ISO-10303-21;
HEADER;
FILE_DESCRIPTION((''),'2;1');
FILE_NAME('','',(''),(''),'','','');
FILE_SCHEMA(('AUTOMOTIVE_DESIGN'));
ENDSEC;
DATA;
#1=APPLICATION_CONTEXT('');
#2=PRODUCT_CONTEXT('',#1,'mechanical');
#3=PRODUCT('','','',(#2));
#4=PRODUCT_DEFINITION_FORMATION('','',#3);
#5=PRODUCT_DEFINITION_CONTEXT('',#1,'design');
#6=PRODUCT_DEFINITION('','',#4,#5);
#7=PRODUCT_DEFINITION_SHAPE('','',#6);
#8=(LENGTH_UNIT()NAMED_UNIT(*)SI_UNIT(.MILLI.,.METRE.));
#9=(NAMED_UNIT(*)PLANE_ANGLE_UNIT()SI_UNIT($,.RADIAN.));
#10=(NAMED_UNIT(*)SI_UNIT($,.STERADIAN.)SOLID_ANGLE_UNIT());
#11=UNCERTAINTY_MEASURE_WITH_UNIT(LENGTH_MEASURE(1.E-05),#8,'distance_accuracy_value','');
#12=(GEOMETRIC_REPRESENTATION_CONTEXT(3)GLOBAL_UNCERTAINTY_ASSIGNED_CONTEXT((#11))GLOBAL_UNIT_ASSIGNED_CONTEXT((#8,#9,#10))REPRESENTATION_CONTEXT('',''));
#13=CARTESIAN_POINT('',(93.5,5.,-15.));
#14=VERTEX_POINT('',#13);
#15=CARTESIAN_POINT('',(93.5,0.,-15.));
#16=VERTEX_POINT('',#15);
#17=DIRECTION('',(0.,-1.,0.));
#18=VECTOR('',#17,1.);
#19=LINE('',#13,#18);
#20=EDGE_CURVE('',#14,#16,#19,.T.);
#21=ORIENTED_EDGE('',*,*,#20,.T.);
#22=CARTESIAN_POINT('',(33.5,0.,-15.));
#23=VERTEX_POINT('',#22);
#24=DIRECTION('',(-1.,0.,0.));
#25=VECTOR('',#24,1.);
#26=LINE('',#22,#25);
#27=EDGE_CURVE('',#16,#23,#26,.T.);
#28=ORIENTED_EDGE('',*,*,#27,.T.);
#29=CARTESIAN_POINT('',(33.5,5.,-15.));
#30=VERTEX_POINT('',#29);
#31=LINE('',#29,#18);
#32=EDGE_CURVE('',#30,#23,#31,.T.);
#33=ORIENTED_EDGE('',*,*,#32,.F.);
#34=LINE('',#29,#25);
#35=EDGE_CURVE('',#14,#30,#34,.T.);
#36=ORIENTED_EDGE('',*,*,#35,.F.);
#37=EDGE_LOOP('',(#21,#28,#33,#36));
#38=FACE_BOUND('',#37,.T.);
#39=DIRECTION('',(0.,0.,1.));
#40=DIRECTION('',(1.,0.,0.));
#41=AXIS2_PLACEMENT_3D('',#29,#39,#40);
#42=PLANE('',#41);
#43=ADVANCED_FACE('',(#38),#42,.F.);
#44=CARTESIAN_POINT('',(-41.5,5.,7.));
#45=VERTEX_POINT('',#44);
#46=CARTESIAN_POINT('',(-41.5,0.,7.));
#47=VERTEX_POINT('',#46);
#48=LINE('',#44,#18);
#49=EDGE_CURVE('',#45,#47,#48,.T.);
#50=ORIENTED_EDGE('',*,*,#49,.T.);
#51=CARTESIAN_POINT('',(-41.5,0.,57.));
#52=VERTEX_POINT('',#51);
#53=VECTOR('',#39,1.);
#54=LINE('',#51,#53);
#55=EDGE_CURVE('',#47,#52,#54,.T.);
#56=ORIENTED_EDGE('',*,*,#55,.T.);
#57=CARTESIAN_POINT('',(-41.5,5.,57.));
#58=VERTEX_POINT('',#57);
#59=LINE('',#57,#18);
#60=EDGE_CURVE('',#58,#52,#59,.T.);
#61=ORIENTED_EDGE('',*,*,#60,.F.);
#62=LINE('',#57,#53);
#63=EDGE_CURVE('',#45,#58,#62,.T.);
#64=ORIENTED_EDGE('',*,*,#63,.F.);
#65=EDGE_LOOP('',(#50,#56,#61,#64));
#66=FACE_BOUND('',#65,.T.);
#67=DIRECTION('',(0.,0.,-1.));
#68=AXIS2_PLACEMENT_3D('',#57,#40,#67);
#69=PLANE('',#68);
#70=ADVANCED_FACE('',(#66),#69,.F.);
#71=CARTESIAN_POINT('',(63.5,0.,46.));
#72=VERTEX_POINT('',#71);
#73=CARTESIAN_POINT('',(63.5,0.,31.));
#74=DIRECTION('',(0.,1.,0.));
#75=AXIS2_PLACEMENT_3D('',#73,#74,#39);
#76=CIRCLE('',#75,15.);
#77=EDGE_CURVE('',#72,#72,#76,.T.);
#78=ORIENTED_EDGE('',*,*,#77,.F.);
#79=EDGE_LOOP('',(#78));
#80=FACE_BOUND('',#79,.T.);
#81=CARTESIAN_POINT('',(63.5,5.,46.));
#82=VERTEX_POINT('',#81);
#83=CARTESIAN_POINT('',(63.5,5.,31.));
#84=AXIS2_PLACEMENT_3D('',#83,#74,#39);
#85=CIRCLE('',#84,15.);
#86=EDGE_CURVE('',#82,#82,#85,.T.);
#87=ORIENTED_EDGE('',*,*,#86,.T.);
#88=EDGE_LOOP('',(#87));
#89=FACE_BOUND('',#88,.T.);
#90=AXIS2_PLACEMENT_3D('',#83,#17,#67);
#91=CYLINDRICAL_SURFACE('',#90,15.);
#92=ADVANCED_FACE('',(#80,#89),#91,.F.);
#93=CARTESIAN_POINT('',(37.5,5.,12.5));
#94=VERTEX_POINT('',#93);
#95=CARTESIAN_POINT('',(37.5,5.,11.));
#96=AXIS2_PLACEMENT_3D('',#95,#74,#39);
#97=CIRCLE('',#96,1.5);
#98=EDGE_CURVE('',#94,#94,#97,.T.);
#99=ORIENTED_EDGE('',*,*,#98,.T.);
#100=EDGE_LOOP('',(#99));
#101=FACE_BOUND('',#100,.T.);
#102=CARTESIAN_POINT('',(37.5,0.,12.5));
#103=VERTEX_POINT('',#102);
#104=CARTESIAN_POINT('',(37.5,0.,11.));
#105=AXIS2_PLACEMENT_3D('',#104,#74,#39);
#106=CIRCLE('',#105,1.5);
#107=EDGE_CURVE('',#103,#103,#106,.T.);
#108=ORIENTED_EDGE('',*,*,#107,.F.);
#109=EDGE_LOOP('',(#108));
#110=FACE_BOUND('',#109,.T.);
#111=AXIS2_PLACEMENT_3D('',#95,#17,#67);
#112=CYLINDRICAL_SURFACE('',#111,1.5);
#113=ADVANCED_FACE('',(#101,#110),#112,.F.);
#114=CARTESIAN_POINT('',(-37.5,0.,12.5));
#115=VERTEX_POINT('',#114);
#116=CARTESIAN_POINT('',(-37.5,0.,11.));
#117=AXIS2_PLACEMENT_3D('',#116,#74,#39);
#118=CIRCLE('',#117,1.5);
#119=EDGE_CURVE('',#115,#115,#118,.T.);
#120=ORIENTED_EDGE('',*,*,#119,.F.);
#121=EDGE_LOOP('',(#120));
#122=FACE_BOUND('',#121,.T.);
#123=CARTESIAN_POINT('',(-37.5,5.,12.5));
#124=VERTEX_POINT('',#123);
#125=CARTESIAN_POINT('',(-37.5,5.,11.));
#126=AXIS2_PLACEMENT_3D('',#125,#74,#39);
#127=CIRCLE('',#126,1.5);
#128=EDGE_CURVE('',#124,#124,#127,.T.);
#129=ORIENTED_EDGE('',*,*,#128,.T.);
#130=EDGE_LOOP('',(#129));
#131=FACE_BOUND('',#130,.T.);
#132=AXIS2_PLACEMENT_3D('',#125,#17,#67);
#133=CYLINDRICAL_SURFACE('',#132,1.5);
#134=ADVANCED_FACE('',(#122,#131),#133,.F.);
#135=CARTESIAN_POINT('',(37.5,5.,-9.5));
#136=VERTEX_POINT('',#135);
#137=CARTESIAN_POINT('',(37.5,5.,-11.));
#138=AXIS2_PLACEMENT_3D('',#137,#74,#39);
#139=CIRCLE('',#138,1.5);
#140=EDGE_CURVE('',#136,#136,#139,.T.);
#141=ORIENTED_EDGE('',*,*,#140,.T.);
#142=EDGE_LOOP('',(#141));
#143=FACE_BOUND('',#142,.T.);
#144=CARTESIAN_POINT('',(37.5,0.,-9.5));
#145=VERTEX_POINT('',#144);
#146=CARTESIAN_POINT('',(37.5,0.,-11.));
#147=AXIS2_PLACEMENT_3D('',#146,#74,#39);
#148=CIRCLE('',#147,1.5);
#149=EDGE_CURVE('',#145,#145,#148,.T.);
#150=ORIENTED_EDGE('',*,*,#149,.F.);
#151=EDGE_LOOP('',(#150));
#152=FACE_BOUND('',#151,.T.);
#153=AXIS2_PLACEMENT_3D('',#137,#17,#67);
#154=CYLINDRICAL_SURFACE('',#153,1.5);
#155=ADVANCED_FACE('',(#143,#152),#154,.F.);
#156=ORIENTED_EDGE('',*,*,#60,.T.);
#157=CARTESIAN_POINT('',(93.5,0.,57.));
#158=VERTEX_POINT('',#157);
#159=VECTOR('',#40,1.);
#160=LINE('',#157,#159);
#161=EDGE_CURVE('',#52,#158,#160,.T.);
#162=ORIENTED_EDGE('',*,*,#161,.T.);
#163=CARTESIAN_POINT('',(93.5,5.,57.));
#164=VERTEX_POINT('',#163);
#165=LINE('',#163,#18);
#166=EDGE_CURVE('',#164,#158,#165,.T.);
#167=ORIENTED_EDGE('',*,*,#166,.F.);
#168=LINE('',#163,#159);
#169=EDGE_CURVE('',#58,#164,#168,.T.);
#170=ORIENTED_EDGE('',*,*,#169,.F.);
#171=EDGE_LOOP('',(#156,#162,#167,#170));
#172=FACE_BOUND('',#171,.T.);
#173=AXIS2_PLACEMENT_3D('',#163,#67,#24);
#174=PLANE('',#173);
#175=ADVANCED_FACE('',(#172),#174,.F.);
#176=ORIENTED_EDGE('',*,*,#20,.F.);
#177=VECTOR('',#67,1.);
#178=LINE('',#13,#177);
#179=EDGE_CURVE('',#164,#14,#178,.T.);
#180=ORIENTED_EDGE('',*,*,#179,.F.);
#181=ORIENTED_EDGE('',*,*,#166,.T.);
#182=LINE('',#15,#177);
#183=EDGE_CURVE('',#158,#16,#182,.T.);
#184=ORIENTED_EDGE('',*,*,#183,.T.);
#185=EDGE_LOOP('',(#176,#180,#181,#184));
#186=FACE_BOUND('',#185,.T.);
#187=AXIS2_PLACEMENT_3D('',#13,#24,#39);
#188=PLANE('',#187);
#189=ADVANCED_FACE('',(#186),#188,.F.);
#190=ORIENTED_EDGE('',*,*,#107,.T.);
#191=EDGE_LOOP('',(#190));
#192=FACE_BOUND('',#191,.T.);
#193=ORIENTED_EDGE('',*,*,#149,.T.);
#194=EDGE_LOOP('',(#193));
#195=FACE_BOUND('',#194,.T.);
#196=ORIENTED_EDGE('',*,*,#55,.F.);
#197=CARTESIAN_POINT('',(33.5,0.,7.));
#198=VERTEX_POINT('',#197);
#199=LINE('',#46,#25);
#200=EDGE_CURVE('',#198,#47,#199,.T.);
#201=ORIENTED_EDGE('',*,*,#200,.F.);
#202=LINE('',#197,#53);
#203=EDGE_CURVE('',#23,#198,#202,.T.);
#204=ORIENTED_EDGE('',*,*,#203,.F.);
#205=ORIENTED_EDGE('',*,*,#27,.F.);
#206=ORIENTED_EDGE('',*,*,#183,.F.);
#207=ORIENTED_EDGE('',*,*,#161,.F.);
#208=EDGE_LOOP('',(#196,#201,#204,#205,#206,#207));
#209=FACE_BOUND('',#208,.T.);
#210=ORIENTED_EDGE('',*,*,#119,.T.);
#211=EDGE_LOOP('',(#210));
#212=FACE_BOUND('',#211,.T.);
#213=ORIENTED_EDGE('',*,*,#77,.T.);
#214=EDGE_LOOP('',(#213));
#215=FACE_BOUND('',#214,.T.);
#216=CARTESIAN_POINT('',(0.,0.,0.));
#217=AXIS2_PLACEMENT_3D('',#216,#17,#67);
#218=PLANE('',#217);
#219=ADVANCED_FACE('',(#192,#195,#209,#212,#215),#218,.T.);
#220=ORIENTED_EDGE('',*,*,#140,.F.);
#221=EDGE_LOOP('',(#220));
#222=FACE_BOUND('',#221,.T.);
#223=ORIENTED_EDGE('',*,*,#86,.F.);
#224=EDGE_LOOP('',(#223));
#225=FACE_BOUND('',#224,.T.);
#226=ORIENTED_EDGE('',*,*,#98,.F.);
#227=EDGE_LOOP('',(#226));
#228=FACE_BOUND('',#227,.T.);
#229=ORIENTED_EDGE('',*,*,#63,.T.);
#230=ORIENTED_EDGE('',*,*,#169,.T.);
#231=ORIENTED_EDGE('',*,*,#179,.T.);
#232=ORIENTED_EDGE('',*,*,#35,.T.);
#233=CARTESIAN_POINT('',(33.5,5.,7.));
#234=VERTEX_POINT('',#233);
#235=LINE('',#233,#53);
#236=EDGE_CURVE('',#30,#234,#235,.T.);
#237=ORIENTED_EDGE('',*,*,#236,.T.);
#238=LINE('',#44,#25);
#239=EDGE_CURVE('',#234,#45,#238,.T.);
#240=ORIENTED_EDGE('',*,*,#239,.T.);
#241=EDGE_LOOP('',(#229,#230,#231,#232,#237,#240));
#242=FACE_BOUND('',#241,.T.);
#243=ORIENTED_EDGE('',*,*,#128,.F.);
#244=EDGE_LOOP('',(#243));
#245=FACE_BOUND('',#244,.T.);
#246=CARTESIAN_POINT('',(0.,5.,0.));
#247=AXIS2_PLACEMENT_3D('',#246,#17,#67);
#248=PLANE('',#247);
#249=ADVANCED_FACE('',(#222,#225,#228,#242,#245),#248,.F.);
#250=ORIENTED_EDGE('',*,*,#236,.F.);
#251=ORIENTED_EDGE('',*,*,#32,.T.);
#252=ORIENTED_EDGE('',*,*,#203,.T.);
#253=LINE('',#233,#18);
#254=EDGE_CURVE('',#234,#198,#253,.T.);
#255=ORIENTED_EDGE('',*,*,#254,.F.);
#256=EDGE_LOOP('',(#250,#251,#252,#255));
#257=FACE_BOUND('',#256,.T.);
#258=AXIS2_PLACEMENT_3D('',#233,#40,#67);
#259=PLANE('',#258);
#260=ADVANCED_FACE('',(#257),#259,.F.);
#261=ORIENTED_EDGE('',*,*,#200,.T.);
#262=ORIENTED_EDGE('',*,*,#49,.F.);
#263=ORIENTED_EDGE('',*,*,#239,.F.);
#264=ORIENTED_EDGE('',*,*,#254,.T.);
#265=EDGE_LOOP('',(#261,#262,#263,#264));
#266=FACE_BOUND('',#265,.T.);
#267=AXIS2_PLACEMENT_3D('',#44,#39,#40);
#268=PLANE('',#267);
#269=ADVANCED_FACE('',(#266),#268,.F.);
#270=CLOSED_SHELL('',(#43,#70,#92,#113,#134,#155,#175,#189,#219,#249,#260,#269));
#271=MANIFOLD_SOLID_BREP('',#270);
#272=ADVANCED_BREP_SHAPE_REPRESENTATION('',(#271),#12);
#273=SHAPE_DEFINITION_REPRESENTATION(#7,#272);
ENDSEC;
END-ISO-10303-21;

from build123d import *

# Parameters (mm, degrees)
SKETCH1_R           = 1.5
SKETCH1_R_2         = 15
BOSS_EXTRUDE1_DEPTH = 5


with BuildPart() as part:
    # Sketch1 → Boss-Extrude1 (new body)
    with BuildSketch(Plane(origin=(0, 0, 0), x_dir=(1, 0, 0), z_dir=(0, 1, 0))):
        Polygon((-41.5, -7), (33.5, -7), (33.5, 15), (93.5, 15), (93.5, -57), (-41.5, -57), align=None)
        with Locations((-37.5, -11)):
            Circle(SKETCH1_R, mode=Mode.SUBTRACT)
        with Locations((37.5, -11)):
            Circle(SKETCH1_R, mode=Mode.SUBTRACT)
        with Locations((37.5, 11)):
            Circle(SKETCH1_R, mode=Mode.SUBTRACT)
        with Locations((63.5, -31)):
            Circle(SKETCH1_R_2, mode=Mode.SUBTRACT)
    extrude(amount=BOSS_EXTRUDE1_DEPTH)


solid = part.part
